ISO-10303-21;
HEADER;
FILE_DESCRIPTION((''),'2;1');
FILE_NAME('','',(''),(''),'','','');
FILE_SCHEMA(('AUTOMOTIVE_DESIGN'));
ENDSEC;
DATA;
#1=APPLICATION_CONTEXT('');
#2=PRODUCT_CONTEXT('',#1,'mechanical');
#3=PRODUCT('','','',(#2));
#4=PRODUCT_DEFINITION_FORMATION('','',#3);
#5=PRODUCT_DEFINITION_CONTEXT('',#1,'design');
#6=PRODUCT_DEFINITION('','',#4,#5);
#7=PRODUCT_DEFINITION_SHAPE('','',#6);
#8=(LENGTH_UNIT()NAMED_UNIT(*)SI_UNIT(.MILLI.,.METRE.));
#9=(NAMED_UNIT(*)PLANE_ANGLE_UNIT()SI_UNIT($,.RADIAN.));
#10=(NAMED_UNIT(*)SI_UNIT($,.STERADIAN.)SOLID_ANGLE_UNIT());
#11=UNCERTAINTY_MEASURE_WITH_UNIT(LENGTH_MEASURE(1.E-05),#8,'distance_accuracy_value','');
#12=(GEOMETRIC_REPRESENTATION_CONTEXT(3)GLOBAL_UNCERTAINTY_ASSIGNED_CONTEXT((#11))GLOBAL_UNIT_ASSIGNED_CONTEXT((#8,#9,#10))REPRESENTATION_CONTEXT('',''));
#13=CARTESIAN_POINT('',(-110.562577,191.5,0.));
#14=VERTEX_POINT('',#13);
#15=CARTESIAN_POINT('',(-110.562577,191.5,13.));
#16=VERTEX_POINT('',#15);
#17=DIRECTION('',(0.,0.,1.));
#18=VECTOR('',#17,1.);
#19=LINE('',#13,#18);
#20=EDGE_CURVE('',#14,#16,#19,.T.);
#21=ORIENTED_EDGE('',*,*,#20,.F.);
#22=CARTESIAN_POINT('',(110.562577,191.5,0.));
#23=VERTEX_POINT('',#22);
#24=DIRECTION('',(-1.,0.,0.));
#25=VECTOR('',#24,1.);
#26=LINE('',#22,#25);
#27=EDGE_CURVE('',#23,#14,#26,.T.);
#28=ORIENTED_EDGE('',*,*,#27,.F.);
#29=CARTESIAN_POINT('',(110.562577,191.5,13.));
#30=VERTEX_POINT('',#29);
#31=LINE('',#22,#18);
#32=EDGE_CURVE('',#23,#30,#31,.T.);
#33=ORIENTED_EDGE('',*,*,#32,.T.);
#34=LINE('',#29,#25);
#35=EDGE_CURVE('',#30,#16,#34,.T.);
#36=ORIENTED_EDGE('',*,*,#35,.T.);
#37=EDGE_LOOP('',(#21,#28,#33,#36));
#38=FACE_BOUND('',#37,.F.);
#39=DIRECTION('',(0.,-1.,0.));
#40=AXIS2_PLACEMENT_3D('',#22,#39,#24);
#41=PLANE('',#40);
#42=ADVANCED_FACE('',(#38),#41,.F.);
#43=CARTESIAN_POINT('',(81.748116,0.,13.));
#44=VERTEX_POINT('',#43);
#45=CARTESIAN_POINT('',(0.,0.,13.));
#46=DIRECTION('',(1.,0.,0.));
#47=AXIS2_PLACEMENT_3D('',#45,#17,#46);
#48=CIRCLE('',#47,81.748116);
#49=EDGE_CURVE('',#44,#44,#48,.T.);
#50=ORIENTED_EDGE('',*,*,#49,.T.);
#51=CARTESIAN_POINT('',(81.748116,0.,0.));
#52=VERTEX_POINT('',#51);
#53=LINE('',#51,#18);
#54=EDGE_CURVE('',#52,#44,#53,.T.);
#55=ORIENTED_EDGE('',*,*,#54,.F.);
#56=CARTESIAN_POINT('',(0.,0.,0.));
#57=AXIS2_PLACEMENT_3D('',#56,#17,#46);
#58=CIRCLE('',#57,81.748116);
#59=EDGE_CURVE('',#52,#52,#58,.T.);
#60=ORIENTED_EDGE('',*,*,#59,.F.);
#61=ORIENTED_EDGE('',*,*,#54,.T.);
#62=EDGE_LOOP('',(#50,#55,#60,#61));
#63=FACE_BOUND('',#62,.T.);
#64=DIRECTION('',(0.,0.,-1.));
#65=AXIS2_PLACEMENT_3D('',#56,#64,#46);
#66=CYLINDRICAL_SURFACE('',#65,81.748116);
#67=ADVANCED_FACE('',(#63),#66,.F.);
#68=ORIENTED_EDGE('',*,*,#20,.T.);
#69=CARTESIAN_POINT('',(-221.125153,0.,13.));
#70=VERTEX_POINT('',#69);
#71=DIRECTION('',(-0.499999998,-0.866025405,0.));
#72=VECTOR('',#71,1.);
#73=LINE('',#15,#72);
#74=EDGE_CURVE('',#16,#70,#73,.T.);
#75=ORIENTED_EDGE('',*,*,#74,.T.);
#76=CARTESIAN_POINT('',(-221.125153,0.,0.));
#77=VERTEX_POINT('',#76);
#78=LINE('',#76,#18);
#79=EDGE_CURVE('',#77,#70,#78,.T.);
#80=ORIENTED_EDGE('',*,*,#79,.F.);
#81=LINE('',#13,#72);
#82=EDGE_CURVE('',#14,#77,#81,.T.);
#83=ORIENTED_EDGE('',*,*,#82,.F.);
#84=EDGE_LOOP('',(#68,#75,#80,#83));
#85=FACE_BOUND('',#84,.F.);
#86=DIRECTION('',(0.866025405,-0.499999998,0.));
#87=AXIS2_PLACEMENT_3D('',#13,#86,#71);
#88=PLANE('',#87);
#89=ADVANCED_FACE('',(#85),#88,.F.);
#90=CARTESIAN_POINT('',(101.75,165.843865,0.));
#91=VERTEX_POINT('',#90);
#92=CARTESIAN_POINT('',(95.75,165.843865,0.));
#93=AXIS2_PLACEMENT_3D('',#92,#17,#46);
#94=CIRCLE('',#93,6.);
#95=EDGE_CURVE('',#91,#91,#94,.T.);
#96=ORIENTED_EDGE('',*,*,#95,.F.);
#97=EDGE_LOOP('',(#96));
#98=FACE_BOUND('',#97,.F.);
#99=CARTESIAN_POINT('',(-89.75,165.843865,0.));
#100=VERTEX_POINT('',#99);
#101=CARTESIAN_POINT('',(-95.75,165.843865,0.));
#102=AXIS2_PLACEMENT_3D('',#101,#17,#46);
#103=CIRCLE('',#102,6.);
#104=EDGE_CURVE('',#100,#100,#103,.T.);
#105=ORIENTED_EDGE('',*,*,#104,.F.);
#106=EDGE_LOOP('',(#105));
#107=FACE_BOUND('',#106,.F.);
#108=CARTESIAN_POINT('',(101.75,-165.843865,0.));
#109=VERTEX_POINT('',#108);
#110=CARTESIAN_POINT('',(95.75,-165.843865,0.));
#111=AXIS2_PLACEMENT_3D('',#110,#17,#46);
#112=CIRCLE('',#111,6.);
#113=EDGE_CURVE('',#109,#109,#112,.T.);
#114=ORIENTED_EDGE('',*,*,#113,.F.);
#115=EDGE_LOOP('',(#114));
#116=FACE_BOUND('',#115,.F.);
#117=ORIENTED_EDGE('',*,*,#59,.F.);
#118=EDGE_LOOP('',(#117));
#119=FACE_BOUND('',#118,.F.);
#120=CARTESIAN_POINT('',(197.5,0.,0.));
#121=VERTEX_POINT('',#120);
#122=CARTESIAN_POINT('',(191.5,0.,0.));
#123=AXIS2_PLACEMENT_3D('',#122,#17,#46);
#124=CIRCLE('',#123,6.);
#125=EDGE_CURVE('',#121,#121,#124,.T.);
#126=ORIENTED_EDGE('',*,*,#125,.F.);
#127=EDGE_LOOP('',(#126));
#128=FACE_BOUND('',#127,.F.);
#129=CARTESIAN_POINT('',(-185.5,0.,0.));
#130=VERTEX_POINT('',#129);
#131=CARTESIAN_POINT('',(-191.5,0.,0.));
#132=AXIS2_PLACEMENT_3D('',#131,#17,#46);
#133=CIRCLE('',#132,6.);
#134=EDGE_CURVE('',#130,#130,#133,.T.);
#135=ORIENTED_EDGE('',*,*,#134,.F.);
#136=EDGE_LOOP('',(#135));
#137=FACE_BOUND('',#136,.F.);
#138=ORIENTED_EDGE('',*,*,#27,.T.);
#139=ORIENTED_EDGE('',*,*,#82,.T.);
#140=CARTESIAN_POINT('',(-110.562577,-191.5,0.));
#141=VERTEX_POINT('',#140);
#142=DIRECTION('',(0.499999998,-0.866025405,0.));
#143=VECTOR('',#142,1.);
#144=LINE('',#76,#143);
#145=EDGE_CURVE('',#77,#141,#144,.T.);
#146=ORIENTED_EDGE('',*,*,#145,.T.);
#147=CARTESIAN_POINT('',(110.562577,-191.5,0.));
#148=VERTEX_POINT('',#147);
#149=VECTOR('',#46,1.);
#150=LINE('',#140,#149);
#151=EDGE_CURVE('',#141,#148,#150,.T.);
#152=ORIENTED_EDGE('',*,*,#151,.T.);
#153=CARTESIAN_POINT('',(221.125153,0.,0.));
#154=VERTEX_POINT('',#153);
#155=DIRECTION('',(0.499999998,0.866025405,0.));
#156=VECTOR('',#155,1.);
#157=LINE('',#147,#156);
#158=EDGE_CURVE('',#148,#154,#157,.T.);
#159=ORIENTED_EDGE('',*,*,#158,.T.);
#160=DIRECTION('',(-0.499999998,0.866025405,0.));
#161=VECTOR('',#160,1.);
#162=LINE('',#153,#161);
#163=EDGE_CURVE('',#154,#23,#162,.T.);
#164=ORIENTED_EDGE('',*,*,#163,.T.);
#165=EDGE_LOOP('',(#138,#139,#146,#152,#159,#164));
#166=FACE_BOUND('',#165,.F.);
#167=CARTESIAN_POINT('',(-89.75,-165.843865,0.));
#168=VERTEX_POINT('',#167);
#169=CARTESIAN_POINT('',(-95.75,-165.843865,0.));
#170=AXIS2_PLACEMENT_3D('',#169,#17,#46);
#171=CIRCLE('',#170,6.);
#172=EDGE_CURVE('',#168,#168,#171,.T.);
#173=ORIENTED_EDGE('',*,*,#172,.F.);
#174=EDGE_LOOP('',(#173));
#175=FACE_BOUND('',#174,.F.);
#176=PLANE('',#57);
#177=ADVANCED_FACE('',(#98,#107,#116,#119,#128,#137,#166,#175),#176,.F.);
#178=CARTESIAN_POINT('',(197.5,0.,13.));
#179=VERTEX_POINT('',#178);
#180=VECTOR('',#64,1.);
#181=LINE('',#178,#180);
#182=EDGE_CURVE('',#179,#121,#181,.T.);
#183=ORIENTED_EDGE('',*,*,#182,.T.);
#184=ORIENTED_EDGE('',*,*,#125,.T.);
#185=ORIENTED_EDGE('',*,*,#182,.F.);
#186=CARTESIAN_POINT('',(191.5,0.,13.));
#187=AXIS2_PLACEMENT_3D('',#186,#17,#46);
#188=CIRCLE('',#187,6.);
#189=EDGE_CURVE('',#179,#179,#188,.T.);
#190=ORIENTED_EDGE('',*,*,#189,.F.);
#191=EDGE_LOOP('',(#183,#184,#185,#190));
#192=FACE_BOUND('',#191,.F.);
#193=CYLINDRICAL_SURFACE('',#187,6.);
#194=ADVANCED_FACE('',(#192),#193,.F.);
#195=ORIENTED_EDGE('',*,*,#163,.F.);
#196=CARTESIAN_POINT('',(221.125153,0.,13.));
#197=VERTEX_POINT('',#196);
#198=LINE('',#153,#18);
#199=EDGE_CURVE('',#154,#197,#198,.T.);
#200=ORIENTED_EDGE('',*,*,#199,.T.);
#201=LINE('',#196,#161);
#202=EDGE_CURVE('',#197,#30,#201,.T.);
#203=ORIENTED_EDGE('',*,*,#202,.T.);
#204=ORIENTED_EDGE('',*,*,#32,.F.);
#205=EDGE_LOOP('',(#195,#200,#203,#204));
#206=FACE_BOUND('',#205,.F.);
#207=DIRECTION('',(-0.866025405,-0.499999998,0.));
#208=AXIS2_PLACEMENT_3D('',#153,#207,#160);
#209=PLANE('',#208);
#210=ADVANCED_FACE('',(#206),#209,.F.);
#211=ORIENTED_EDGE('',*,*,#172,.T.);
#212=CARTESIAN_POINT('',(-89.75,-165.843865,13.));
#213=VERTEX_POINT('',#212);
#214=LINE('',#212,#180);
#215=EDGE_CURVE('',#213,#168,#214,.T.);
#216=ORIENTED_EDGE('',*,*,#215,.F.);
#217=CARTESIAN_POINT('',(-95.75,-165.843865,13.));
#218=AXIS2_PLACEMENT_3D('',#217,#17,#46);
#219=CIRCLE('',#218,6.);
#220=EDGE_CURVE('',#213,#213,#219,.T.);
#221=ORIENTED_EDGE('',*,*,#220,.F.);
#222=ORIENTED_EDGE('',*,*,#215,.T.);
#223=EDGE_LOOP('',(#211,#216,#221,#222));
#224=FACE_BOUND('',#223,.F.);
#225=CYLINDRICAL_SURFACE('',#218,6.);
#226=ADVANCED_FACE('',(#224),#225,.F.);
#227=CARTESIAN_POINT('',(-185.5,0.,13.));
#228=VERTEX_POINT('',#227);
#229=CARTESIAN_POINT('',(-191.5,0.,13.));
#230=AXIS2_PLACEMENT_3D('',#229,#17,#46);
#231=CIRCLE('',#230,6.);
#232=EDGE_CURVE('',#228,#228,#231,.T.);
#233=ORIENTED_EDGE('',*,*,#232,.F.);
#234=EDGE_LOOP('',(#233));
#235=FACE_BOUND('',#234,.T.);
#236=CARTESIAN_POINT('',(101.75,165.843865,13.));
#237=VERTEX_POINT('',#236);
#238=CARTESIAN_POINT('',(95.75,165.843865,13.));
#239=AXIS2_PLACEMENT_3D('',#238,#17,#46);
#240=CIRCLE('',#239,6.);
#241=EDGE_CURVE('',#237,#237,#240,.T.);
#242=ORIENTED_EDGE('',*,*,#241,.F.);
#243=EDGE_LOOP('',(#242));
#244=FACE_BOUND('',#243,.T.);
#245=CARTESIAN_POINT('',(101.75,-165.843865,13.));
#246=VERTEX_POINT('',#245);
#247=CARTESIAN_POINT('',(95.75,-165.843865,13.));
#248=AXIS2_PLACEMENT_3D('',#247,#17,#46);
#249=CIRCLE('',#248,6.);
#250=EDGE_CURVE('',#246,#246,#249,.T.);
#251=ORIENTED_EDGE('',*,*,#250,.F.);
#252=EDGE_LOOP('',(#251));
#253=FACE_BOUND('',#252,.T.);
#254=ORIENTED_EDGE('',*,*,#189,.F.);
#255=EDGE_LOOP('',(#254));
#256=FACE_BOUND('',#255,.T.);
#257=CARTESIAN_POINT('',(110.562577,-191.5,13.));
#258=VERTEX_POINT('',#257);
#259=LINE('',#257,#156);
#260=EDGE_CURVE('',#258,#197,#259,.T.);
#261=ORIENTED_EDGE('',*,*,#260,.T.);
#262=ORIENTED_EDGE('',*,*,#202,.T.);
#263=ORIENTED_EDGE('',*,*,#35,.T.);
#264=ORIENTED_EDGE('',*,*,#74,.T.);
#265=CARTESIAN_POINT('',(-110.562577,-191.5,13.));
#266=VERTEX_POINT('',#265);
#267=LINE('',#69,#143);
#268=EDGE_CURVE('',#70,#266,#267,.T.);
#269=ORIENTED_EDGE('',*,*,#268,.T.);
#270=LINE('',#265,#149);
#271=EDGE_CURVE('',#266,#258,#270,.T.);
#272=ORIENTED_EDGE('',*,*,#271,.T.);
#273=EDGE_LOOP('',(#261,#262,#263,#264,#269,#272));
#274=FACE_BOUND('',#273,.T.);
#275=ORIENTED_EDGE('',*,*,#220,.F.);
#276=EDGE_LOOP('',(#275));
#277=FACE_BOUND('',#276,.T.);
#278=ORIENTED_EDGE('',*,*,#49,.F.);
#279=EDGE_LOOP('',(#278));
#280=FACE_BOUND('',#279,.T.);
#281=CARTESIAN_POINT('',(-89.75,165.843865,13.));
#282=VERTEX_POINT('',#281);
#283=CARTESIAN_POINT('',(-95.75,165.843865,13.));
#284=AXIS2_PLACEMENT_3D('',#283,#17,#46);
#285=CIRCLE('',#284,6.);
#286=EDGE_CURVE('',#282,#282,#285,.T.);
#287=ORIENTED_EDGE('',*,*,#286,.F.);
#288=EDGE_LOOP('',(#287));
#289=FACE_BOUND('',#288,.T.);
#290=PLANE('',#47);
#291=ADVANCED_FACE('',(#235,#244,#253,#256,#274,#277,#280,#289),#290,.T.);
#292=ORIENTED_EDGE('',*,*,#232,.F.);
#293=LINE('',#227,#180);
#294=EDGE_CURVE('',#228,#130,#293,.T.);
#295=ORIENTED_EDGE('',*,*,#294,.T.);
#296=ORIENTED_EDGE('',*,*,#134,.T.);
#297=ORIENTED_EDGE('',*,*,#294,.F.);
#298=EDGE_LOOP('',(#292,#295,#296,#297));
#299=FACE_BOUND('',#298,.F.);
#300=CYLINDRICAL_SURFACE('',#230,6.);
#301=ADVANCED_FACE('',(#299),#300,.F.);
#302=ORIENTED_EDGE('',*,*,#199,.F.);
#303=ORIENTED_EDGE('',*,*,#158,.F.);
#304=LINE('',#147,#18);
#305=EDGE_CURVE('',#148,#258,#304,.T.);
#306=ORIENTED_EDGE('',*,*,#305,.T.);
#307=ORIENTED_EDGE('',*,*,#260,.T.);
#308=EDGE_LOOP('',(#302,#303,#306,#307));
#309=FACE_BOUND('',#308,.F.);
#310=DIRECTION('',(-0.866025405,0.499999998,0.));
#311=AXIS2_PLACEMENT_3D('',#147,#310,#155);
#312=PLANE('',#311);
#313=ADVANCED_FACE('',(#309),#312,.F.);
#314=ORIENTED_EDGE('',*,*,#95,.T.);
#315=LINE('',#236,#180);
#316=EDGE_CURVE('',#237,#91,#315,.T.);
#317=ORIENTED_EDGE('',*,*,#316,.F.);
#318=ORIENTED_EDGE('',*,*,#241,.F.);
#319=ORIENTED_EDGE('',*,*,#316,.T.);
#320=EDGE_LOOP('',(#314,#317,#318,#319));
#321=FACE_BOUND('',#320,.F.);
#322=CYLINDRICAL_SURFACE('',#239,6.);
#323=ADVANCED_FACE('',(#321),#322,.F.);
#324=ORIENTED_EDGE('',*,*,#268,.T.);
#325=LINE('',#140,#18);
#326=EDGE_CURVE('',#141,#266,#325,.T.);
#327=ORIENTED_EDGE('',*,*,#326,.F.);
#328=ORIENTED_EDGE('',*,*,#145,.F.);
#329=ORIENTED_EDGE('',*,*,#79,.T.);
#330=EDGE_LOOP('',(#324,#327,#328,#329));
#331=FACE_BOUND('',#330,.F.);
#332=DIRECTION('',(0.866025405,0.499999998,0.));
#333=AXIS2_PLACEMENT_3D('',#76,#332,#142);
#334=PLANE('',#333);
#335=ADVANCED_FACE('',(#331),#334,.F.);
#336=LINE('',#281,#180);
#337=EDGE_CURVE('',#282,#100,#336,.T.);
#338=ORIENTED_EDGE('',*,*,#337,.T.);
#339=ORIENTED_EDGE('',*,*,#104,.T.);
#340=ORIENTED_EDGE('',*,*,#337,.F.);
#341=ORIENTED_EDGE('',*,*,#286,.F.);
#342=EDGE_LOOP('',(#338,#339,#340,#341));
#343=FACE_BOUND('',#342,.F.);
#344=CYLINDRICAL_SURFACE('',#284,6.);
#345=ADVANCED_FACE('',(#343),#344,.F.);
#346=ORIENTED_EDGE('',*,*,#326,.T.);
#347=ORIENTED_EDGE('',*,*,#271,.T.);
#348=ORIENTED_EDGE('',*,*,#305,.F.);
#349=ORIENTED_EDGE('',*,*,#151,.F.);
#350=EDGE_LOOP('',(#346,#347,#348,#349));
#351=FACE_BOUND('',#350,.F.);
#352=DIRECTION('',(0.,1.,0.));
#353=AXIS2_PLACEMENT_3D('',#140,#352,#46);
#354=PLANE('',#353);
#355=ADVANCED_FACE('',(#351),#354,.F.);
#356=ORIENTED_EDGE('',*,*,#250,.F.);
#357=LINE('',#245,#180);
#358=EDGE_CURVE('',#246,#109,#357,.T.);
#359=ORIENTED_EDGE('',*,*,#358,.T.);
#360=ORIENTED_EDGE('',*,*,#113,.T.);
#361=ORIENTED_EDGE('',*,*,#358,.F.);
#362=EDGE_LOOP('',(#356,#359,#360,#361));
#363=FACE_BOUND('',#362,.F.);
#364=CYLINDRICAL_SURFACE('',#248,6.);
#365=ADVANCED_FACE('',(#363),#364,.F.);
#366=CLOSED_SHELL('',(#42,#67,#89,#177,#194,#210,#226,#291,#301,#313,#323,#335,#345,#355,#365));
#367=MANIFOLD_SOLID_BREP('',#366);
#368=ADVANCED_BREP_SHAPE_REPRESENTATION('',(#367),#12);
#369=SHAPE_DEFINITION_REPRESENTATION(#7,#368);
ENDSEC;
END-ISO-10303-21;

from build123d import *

# Parameters (mm, degrees)
SKETCH_R        = 81.748116
PAD_DEPTH       = 13
SKETCH001_R     = 6
POCKET_DEPTH    = 13.001
SKETCH002_R     = 6
POCKET001_DEPTH = 13.001


with BuildPart() as part:
    # Sketch → Pad (new body)
    with BuildSketch(Plane.XY):
        Polygon((110.562577, 191.5), (-110.562577, 191.5), (-221.125153, 0), (-110.562577, -191.5), (110.562577, -191.5), (221.125153, 0), align=None)
        Circle(SKETCH_R, mode=Mode.SUBTRACT)
    extrude(amount=PAD_DEPTH)

    # Sketch001 (on Face9 of Pad) → Pocket (cut, through all)
    with BuildSketch(Plane.XY.offset(13)):
        with Locations((95.75, 165.843865)):
            Circle(SKETCH001_R)
        with Locations((-95.75, 165.843865)):
            Circle(SKETCH001_R)
        with Locations((-95.75, -165.843865)):
            Circle(SKETCH001_R)
        with Locations((95.75, -165.843865)):
            Circle(SKETCH001_R)
    extrude(amount=-POCKET_DEPTH, mode=Mode.SUBTRACT)

    # Sketch002 (on Face5 of Pocket) → Pocket001 (cut, through all)
    with BuildSketch(Plane.XY.offset(13)):
        with Locations((-191.5, 0)):
            Circle(SKETCH002_R)
        with Locations((191.5, 0)):
            Circle(SKETCH002_R)
    extrude(amount=-POCKET001_DEPTH, mode=Mode.SUBTRACT)


solid = part.part
